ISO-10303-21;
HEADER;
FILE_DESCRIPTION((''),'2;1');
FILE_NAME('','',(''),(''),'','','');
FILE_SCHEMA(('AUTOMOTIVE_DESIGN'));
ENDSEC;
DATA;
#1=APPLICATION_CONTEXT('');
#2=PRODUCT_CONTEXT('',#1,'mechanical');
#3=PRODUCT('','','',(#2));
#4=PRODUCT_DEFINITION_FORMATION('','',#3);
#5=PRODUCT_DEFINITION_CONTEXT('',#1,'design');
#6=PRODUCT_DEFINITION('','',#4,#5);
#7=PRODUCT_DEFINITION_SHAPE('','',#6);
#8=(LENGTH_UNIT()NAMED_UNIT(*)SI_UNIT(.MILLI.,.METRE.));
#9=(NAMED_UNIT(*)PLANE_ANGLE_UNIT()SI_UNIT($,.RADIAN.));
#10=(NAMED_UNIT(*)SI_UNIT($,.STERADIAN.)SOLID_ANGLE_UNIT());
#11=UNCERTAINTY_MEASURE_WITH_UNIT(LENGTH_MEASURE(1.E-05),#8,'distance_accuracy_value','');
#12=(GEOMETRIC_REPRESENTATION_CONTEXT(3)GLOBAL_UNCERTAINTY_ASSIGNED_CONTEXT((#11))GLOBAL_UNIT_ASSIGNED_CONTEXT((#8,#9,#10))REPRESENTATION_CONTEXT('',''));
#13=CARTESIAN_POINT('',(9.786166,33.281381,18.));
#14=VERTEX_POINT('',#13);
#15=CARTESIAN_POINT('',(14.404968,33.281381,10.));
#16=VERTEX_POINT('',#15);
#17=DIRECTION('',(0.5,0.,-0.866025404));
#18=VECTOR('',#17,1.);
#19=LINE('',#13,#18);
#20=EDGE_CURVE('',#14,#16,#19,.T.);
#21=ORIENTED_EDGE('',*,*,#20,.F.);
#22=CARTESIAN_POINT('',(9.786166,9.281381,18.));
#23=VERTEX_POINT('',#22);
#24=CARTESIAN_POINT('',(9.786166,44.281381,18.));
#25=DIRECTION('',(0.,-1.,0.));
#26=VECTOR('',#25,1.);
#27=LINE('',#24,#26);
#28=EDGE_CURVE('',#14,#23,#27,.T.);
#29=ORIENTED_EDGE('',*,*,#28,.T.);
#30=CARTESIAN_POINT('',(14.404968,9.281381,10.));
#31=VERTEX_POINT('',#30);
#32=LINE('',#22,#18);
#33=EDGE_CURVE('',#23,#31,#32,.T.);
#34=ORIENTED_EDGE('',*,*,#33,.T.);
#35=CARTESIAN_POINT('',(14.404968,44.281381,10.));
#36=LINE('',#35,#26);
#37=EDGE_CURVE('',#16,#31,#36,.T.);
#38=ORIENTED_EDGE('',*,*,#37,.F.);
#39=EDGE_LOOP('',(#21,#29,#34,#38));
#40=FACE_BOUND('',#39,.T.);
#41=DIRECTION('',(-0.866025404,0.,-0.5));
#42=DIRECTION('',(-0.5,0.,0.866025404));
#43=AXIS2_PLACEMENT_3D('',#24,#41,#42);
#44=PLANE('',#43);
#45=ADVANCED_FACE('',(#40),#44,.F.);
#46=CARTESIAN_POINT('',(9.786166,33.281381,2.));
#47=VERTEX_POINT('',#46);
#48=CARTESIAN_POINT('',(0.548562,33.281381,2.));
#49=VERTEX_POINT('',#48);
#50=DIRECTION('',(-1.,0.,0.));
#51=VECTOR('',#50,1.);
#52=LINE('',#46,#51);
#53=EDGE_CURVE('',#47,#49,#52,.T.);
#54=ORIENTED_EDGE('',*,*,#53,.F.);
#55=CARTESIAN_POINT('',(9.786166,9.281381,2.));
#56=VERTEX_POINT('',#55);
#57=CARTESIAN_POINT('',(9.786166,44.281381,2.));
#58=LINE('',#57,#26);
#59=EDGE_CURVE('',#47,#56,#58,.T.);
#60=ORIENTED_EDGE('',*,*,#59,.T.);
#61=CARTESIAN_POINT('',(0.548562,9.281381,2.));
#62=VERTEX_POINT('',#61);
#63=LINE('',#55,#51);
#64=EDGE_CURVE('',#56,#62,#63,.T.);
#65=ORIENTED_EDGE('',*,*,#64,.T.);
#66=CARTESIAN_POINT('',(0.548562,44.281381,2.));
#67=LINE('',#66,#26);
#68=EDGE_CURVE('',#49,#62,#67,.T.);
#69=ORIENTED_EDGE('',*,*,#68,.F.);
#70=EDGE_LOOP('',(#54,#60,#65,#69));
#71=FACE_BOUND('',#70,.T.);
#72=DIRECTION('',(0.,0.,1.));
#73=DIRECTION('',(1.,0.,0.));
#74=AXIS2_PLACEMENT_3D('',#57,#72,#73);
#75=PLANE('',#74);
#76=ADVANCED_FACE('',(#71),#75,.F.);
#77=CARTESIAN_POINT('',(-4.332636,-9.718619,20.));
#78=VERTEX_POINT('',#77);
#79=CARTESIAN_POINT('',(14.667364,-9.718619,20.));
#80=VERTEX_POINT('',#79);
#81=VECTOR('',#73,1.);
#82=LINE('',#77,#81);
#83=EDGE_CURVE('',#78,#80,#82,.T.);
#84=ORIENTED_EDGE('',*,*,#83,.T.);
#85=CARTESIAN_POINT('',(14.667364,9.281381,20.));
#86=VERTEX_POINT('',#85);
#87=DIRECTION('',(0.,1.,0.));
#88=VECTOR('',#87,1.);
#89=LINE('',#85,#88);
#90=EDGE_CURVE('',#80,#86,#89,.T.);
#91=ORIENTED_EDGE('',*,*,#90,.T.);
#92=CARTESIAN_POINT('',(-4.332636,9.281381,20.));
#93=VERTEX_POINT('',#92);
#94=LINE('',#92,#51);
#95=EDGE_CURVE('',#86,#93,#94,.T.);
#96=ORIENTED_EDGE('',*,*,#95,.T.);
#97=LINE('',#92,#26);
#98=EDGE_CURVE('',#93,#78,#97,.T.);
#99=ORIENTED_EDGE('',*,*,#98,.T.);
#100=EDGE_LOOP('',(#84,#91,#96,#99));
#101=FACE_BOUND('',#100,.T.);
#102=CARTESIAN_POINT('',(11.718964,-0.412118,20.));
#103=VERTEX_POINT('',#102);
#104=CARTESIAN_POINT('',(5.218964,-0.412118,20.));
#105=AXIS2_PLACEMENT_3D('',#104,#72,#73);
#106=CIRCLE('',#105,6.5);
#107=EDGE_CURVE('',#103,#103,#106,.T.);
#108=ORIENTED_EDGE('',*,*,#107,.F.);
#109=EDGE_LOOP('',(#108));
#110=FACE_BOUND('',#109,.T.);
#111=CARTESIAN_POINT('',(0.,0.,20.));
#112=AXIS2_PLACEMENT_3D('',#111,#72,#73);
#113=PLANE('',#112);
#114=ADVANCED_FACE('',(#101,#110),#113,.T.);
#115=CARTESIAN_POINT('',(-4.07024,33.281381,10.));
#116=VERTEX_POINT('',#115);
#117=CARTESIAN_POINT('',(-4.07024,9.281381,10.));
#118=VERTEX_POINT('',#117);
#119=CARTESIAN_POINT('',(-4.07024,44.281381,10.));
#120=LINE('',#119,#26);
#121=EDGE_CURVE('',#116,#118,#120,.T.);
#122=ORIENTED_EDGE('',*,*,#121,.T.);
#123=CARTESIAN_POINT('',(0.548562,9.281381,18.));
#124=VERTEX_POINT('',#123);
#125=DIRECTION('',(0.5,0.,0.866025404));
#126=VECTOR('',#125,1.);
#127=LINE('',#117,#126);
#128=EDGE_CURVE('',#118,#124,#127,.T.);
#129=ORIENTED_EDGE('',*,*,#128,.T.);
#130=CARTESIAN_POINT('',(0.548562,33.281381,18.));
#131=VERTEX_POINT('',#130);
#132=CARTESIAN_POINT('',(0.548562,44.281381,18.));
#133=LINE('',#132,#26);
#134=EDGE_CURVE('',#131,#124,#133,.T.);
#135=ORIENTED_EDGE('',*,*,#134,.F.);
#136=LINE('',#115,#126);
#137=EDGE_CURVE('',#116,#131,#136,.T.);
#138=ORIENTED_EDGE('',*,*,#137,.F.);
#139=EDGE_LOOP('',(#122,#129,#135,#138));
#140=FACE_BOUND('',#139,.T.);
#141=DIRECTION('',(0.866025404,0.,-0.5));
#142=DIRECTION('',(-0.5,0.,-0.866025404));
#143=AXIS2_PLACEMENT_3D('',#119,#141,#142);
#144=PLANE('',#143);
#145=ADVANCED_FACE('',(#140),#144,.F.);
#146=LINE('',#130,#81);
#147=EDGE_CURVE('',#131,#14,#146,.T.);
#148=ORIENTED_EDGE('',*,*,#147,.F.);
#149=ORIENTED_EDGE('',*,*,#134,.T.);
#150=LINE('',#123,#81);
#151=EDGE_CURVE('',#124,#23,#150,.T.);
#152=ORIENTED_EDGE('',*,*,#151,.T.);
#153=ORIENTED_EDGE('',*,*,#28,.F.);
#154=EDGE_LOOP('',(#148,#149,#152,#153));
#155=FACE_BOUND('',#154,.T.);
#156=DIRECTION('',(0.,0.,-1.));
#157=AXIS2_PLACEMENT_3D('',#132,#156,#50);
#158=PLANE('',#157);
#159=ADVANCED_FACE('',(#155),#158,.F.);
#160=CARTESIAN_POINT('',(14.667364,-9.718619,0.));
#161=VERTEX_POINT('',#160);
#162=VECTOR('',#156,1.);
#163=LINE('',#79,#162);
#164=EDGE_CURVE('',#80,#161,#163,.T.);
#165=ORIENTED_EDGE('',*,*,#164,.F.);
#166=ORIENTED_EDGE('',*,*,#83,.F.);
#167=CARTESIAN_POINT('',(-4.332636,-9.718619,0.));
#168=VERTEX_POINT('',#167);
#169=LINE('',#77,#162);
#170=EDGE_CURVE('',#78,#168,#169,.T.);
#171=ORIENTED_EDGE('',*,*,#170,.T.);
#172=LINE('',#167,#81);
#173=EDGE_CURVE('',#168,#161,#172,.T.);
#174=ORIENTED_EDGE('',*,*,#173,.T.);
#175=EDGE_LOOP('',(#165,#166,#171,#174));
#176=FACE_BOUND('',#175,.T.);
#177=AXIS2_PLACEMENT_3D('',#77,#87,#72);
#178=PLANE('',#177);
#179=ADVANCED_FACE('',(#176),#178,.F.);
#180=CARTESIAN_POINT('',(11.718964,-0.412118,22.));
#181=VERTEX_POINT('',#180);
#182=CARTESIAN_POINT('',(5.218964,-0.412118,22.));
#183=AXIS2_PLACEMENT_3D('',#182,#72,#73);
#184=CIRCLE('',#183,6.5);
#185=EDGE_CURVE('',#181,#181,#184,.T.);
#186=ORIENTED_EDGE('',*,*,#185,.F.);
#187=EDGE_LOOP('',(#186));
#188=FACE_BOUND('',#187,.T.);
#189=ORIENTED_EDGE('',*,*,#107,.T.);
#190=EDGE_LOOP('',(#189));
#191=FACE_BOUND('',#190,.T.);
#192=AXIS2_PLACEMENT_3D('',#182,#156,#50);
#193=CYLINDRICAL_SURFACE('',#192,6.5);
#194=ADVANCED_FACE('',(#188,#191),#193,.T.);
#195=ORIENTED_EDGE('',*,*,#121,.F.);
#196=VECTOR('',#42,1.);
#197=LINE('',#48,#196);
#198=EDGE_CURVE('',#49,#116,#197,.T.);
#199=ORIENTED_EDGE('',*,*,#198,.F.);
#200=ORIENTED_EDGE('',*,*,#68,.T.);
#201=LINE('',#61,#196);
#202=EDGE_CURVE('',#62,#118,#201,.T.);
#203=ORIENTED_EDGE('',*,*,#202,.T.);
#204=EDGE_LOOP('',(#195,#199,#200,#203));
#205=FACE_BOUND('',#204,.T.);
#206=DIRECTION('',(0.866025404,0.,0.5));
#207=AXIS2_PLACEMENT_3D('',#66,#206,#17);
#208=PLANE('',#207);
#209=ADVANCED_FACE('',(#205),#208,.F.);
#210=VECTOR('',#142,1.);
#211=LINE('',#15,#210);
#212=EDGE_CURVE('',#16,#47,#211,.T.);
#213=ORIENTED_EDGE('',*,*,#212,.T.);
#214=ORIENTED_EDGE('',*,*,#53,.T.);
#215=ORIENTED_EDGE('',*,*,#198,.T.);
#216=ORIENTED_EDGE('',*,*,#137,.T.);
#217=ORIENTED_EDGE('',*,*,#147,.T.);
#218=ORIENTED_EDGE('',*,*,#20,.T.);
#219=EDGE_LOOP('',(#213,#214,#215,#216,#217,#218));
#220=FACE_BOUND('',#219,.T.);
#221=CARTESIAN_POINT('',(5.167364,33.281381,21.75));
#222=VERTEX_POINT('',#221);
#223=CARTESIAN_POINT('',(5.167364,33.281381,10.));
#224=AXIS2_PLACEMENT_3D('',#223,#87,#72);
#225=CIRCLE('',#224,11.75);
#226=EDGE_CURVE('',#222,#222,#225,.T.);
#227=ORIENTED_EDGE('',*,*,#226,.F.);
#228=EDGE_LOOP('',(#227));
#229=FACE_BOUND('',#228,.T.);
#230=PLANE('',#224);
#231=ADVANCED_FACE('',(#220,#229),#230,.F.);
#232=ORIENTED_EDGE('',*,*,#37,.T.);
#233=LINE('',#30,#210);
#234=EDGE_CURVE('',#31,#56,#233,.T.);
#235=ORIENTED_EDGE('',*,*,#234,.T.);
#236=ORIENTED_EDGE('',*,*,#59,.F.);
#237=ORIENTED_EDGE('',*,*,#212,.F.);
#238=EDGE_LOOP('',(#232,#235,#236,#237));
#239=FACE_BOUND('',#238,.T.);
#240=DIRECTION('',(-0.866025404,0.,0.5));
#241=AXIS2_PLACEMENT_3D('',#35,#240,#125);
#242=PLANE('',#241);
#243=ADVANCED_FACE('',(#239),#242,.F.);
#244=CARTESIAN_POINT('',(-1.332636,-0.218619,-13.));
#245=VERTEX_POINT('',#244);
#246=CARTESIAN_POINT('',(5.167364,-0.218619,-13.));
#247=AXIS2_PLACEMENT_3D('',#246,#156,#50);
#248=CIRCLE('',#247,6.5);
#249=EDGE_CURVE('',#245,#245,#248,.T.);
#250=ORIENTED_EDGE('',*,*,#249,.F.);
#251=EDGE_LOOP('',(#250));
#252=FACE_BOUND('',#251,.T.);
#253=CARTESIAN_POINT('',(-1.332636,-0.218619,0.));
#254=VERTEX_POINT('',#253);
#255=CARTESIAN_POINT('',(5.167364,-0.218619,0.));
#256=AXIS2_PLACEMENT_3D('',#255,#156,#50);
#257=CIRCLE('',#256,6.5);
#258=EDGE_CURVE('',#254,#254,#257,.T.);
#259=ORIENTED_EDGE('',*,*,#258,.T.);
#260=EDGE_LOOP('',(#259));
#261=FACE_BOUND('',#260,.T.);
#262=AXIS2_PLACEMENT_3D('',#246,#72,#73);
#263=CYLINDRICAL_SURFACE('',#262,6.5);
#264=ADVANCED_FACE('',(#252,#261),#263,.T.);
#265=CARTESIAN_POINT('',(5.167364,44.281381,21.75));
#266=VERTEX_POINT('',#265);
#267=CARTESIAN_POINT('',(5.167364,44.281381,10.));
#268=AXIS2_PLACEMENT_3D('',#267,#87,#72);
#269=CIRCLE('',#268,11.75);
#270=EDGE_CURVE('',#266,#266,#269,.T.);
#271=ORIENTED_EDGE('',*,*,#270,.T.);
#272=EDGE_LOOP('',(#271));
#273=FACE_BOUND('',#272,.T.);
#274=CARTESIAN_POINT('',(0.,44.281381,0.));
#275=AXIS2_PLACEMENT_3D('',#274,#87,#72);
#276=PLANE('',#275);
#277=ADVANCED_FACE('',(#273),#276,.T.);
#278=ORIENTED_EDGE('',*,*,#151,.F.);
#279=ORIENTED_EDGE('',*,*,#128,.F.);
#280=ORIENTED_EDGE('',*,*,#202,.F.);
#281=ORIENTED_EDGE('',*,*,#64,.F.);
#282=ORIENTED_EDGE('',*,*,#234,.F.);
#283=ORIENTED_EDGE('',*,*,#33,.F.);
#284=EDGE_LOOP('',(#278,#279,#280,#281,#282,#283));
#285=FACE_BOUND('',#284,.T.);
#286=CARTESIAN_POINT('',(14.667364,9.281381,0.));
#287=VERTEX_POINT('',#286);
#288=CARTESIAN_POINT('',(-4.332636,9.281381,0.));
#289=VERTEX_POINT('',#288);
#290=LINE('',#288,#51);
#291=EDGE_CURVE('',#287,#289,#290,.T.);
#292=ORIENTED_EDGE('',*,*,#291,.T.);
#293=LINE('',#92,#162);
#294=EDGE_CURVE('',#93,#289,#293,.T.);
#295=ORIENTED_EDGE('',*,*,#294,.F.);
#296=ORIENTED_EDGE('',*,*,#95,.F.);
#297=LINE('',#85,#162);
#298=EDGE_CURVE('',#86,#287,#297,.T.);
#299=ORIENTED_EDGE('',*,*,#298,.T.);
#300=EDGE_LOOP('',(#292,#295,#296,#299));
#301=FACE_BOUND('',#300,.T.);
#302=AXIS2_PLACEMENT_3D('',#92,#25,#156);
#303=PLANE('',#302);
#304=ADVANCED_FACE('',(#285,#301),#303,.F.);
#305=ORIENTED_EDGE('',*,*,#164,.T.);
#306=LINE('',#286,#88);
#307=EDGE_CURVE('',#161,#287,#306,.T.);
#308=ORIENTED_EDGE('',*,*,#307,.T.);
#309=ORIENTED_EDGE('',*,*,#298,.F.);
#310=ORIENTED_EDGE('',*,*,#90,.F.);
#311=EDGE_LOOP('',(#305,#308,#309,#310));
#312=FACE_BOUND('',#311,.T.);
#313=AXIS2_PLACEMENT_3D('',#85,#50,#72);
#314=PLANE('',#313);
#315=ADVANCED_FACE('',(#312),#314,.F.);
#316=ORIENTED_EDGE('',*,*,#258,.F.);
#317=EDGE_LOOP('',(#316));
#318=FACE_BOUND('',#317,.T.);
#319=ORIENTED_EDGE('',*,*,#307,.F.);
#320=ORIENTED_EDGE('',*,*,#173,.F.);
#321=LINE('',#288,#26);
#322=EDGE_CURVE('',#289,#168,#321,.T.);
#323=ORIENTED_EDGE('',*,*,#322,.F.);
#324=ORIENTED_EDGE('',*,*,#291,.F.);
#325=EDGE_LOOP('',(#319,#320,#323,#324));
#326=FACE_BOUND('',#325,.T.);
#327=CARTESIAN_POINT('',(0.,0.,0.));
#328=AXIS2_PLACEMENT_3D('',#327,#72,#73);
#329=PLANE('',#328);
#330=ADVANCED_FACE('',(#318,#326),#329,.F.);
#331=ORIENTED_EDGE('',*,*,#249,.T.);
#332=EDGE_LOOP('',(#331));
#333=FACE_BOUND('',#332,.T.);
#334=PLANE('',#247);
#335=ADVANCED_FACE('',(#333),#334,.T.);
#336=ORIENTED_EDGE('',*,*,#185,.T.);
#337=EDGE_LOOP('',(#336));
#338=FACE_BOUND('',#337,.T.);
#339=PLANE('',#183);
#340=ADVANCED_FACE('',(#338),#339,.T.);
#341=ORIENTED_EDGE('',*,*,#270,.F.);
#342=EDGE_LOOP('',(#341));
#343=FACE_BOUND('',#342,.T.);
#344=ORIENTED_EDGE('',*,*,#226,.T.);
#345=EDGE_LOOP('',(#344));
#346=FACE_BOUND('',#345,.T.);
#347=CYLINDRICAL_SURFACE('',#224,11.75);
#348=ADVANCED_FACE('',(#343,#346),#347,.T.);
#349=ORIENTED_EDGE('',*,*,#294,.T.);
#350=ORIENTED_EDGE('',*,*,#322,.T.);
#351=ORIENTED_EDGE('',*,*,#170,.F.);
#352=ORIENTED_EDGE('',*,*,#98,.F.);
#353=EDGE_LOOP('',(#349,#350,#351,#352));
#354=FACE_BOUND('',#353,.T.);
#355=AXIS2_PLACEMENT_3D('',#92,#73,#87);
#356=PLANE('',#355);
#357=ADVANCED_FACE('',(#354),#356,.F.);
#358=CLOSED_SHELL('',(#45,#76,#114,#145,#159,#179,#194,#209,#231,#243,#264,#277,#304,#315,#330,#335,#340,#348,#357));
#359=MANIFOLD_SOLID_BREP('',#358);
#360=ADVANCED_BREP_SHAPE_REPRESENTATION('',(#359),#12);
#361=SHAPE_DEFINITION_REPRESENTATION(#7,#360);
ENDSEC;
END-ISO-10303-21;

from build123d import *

# Parameters (mm, degrees)
SKETCH1_W           = 19
SKETCH1_H           = 19
BOSS_EXTRUDE1_DEPTH = 20
SKETCH2_R           = 6.5
BOSS_EXTRUDE2_DEPTH = 2
SKETCH3_R           = 6.5
BOSS_EXTRUDE3_DEPTH = 13
BOSS_EXTRUDE4_DEPTH = 35
SKETCH5_R           = 11.75
BOSS_EXTRUDE5_DEPTH = 11


with BuildPart() as part:
    # Sketch1 → Boss-Extrude1 (new body)
    with BuildSketch(Plane.XY):
        with Locations((5.167364017, -0.218619247)):
            Rectangle(SKETCH1_W, SKETCH1_H)
    extrude(amount=BOSS_EXTRUDE1_DEPTH)

    # Sketch2 → Boss-Extrude2 (add)
    with BuildSketch(Plane.XY.offset(20)):
        with Locations((5.218963732, -0.412118181)):
            Circle(SKETCH2_R)
    extrude(amount=BOSS_EXTRUDE2_DEPTH)

    # Sketch3 → Boss-Extrude3 (add)
    with BuildSketch(Plane(origin=(0, 0, 0), x_dir=(-1, 0, 0), z_dir=(0, 0, -1))):
        with Locations((-5.167364017, -0.218619247)):
            Circle(SKETCH3_R)
    extrude(amount=BOSS_EXTRUDE3_DEPTH)

    # Sketch4 → Boss-Extrude4 (add)
    with BuildSketch(Plane(origin=(0, 9.281380753, 0), x_dir=(1, 0, 0), z_dir=(0, 1, 0))):
        Polygon((14.404968324, -10), (9.78616617, -2), (0.548561863, -2), (-4.07024029, -10), (0.548561863, -18), (9.78616617, -18), align=None)
    extrude(amount=BOSS_EXTRUDE4_DEPTH)

    # Sketch5 → Boss-Extrude5 (add)
    with BuildSketch(Plane(origin=(0, 44.281380753, 0), x_dir=(1, 0, 0), z_dir=(0, 1, 0))):
        with Locations((5.167364017, -10)):
            Circle(SKETCH5_R)
    extrude(amount=-BOSS_EXTRUDE5_DEPTH)


solid = part.part
